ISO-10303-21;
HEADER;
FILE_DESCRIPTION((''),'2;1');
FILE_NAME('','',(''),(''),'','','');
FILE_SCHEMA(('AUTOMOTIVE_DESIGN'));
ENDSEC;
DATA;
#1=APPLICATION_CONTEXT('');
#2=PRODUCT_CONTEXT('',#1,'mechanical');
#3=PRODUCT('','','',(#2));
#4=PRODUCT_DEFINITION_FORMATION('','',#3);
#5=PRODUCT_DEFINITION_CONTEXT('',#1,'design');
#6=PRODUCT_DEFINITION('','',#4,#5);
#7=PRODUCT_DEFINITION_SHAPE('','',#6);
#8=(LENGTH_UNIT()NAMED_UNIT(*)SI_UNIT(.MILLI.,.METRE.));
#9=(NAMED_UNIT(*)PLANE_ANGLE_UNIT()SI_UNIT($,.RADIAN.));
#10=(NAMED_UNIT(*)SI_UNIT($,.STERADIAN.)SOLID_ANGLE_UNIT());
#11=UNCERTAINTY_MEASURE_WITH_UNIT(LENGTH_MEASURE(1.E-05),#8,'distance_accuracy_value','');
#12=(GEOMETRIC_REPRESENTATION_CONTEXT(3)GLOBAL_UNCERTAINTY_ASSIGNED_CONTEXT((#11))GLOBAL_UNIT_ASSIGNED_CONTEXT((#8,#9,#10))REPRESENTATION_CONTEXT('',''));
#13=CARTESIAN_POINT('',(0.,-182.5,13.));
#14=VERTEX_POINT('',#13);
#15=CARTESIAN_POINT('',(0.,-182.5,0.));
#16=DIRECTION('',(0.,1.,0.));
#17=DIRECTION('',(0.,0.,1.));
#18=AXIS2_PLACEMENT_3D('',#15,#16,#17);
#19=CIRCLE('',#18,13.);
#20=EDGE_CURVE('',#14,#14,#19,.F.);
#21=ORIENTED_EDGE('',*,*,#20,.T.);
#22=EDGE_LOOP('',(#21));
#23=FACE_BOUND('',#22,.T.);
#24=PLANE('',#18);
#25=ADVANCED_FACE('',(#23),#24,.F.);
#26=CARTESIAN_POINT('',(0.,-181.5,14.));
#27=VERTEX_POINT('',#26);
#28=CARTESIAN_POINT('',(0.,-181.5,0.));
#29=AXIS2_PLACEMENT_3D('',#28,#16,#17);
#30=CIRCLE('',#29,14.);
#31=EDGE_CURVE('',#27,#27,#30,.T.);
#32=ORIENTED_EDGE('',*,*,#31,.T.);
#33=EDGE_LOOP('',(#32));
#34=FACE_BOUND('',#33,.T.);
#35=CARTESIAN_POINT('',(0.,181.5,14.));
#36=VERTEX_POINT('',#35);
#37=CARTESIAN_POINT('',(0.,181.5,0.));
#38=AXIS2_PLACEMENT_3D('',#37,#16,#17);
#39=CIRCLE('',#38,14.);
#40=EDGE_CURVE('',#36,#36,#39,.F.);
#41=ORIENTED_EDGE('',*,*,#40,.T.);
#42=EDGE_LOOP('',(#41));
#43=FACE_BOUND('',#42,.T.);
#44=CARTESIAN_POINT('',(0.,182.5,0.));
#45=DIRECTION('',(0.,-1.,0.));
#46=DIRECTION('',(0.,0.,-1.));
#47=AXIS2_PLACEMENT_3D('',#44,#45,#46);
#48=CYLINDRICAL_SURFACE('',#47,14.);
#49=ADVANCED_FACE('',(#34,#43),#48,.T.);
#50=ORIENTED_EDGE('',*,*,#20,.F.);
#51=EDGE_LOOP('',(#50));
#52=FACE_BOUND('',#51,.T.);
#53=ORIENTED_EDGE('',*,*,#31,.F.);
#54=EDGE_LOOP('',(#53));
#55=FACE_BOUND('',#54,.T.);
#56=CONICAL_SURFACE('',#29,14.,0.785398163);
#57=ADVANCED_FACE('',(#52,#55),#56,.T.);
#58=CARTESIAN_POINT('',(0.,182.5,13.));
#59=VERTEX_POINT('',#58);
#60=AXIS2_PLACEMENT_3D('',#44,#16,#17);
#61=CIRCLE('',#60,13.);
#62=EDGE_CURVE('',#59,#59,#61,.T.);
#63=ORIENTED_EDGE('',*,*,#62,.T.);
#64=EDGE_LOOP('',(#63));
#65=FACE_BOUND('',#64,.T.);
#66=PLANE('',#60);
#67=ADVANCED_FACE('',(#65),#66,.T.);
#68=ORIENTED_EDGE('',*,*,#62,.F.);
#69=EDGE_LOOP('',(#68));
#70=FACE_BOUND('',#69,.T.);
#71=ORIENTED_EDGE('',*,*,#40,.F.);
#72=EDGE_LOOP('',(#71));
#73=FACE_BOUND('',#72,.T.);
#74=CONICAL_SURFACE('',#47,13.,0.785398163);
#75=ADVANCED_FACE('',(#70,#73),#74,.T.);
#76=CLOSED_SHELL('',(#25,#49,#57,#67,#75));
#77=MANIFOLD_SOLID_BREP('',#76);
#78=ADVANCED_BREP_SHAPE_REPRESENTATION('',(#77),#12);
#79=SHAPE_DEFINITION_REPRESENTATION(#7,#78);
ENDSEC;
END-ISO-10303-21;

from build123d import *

# Parameters (mm, degrees)
SKETCH1_R           = 14
BOSS_EXTRUDE1_DEPTH = 182.5
CHAMFER1_SIZE       = 1


with BuildPart() as part:
    # Sketch1 → Boss-Extrude1 (new body, symmetric)
    with BuildSketch(Plane(origin=(0, 0, 0), x_dir=(1, 0, 0), z_dir=(0, 1, 0))):
        Circle(SKETCH1_R)
    extrude(amount=BOSS_EXTRUDE1_DEPTH, both=True)

    # Chamfer1
    chamfer1_edges = [part.edges().sort_by_distance(p)[0] for p in [
        (-14, -182.5, 0),
        (-14, 182.5, 0),
    ]]
    chamfer(chamfer1_edges, length=CHAMFER1_SIZE)


solid = part.part
